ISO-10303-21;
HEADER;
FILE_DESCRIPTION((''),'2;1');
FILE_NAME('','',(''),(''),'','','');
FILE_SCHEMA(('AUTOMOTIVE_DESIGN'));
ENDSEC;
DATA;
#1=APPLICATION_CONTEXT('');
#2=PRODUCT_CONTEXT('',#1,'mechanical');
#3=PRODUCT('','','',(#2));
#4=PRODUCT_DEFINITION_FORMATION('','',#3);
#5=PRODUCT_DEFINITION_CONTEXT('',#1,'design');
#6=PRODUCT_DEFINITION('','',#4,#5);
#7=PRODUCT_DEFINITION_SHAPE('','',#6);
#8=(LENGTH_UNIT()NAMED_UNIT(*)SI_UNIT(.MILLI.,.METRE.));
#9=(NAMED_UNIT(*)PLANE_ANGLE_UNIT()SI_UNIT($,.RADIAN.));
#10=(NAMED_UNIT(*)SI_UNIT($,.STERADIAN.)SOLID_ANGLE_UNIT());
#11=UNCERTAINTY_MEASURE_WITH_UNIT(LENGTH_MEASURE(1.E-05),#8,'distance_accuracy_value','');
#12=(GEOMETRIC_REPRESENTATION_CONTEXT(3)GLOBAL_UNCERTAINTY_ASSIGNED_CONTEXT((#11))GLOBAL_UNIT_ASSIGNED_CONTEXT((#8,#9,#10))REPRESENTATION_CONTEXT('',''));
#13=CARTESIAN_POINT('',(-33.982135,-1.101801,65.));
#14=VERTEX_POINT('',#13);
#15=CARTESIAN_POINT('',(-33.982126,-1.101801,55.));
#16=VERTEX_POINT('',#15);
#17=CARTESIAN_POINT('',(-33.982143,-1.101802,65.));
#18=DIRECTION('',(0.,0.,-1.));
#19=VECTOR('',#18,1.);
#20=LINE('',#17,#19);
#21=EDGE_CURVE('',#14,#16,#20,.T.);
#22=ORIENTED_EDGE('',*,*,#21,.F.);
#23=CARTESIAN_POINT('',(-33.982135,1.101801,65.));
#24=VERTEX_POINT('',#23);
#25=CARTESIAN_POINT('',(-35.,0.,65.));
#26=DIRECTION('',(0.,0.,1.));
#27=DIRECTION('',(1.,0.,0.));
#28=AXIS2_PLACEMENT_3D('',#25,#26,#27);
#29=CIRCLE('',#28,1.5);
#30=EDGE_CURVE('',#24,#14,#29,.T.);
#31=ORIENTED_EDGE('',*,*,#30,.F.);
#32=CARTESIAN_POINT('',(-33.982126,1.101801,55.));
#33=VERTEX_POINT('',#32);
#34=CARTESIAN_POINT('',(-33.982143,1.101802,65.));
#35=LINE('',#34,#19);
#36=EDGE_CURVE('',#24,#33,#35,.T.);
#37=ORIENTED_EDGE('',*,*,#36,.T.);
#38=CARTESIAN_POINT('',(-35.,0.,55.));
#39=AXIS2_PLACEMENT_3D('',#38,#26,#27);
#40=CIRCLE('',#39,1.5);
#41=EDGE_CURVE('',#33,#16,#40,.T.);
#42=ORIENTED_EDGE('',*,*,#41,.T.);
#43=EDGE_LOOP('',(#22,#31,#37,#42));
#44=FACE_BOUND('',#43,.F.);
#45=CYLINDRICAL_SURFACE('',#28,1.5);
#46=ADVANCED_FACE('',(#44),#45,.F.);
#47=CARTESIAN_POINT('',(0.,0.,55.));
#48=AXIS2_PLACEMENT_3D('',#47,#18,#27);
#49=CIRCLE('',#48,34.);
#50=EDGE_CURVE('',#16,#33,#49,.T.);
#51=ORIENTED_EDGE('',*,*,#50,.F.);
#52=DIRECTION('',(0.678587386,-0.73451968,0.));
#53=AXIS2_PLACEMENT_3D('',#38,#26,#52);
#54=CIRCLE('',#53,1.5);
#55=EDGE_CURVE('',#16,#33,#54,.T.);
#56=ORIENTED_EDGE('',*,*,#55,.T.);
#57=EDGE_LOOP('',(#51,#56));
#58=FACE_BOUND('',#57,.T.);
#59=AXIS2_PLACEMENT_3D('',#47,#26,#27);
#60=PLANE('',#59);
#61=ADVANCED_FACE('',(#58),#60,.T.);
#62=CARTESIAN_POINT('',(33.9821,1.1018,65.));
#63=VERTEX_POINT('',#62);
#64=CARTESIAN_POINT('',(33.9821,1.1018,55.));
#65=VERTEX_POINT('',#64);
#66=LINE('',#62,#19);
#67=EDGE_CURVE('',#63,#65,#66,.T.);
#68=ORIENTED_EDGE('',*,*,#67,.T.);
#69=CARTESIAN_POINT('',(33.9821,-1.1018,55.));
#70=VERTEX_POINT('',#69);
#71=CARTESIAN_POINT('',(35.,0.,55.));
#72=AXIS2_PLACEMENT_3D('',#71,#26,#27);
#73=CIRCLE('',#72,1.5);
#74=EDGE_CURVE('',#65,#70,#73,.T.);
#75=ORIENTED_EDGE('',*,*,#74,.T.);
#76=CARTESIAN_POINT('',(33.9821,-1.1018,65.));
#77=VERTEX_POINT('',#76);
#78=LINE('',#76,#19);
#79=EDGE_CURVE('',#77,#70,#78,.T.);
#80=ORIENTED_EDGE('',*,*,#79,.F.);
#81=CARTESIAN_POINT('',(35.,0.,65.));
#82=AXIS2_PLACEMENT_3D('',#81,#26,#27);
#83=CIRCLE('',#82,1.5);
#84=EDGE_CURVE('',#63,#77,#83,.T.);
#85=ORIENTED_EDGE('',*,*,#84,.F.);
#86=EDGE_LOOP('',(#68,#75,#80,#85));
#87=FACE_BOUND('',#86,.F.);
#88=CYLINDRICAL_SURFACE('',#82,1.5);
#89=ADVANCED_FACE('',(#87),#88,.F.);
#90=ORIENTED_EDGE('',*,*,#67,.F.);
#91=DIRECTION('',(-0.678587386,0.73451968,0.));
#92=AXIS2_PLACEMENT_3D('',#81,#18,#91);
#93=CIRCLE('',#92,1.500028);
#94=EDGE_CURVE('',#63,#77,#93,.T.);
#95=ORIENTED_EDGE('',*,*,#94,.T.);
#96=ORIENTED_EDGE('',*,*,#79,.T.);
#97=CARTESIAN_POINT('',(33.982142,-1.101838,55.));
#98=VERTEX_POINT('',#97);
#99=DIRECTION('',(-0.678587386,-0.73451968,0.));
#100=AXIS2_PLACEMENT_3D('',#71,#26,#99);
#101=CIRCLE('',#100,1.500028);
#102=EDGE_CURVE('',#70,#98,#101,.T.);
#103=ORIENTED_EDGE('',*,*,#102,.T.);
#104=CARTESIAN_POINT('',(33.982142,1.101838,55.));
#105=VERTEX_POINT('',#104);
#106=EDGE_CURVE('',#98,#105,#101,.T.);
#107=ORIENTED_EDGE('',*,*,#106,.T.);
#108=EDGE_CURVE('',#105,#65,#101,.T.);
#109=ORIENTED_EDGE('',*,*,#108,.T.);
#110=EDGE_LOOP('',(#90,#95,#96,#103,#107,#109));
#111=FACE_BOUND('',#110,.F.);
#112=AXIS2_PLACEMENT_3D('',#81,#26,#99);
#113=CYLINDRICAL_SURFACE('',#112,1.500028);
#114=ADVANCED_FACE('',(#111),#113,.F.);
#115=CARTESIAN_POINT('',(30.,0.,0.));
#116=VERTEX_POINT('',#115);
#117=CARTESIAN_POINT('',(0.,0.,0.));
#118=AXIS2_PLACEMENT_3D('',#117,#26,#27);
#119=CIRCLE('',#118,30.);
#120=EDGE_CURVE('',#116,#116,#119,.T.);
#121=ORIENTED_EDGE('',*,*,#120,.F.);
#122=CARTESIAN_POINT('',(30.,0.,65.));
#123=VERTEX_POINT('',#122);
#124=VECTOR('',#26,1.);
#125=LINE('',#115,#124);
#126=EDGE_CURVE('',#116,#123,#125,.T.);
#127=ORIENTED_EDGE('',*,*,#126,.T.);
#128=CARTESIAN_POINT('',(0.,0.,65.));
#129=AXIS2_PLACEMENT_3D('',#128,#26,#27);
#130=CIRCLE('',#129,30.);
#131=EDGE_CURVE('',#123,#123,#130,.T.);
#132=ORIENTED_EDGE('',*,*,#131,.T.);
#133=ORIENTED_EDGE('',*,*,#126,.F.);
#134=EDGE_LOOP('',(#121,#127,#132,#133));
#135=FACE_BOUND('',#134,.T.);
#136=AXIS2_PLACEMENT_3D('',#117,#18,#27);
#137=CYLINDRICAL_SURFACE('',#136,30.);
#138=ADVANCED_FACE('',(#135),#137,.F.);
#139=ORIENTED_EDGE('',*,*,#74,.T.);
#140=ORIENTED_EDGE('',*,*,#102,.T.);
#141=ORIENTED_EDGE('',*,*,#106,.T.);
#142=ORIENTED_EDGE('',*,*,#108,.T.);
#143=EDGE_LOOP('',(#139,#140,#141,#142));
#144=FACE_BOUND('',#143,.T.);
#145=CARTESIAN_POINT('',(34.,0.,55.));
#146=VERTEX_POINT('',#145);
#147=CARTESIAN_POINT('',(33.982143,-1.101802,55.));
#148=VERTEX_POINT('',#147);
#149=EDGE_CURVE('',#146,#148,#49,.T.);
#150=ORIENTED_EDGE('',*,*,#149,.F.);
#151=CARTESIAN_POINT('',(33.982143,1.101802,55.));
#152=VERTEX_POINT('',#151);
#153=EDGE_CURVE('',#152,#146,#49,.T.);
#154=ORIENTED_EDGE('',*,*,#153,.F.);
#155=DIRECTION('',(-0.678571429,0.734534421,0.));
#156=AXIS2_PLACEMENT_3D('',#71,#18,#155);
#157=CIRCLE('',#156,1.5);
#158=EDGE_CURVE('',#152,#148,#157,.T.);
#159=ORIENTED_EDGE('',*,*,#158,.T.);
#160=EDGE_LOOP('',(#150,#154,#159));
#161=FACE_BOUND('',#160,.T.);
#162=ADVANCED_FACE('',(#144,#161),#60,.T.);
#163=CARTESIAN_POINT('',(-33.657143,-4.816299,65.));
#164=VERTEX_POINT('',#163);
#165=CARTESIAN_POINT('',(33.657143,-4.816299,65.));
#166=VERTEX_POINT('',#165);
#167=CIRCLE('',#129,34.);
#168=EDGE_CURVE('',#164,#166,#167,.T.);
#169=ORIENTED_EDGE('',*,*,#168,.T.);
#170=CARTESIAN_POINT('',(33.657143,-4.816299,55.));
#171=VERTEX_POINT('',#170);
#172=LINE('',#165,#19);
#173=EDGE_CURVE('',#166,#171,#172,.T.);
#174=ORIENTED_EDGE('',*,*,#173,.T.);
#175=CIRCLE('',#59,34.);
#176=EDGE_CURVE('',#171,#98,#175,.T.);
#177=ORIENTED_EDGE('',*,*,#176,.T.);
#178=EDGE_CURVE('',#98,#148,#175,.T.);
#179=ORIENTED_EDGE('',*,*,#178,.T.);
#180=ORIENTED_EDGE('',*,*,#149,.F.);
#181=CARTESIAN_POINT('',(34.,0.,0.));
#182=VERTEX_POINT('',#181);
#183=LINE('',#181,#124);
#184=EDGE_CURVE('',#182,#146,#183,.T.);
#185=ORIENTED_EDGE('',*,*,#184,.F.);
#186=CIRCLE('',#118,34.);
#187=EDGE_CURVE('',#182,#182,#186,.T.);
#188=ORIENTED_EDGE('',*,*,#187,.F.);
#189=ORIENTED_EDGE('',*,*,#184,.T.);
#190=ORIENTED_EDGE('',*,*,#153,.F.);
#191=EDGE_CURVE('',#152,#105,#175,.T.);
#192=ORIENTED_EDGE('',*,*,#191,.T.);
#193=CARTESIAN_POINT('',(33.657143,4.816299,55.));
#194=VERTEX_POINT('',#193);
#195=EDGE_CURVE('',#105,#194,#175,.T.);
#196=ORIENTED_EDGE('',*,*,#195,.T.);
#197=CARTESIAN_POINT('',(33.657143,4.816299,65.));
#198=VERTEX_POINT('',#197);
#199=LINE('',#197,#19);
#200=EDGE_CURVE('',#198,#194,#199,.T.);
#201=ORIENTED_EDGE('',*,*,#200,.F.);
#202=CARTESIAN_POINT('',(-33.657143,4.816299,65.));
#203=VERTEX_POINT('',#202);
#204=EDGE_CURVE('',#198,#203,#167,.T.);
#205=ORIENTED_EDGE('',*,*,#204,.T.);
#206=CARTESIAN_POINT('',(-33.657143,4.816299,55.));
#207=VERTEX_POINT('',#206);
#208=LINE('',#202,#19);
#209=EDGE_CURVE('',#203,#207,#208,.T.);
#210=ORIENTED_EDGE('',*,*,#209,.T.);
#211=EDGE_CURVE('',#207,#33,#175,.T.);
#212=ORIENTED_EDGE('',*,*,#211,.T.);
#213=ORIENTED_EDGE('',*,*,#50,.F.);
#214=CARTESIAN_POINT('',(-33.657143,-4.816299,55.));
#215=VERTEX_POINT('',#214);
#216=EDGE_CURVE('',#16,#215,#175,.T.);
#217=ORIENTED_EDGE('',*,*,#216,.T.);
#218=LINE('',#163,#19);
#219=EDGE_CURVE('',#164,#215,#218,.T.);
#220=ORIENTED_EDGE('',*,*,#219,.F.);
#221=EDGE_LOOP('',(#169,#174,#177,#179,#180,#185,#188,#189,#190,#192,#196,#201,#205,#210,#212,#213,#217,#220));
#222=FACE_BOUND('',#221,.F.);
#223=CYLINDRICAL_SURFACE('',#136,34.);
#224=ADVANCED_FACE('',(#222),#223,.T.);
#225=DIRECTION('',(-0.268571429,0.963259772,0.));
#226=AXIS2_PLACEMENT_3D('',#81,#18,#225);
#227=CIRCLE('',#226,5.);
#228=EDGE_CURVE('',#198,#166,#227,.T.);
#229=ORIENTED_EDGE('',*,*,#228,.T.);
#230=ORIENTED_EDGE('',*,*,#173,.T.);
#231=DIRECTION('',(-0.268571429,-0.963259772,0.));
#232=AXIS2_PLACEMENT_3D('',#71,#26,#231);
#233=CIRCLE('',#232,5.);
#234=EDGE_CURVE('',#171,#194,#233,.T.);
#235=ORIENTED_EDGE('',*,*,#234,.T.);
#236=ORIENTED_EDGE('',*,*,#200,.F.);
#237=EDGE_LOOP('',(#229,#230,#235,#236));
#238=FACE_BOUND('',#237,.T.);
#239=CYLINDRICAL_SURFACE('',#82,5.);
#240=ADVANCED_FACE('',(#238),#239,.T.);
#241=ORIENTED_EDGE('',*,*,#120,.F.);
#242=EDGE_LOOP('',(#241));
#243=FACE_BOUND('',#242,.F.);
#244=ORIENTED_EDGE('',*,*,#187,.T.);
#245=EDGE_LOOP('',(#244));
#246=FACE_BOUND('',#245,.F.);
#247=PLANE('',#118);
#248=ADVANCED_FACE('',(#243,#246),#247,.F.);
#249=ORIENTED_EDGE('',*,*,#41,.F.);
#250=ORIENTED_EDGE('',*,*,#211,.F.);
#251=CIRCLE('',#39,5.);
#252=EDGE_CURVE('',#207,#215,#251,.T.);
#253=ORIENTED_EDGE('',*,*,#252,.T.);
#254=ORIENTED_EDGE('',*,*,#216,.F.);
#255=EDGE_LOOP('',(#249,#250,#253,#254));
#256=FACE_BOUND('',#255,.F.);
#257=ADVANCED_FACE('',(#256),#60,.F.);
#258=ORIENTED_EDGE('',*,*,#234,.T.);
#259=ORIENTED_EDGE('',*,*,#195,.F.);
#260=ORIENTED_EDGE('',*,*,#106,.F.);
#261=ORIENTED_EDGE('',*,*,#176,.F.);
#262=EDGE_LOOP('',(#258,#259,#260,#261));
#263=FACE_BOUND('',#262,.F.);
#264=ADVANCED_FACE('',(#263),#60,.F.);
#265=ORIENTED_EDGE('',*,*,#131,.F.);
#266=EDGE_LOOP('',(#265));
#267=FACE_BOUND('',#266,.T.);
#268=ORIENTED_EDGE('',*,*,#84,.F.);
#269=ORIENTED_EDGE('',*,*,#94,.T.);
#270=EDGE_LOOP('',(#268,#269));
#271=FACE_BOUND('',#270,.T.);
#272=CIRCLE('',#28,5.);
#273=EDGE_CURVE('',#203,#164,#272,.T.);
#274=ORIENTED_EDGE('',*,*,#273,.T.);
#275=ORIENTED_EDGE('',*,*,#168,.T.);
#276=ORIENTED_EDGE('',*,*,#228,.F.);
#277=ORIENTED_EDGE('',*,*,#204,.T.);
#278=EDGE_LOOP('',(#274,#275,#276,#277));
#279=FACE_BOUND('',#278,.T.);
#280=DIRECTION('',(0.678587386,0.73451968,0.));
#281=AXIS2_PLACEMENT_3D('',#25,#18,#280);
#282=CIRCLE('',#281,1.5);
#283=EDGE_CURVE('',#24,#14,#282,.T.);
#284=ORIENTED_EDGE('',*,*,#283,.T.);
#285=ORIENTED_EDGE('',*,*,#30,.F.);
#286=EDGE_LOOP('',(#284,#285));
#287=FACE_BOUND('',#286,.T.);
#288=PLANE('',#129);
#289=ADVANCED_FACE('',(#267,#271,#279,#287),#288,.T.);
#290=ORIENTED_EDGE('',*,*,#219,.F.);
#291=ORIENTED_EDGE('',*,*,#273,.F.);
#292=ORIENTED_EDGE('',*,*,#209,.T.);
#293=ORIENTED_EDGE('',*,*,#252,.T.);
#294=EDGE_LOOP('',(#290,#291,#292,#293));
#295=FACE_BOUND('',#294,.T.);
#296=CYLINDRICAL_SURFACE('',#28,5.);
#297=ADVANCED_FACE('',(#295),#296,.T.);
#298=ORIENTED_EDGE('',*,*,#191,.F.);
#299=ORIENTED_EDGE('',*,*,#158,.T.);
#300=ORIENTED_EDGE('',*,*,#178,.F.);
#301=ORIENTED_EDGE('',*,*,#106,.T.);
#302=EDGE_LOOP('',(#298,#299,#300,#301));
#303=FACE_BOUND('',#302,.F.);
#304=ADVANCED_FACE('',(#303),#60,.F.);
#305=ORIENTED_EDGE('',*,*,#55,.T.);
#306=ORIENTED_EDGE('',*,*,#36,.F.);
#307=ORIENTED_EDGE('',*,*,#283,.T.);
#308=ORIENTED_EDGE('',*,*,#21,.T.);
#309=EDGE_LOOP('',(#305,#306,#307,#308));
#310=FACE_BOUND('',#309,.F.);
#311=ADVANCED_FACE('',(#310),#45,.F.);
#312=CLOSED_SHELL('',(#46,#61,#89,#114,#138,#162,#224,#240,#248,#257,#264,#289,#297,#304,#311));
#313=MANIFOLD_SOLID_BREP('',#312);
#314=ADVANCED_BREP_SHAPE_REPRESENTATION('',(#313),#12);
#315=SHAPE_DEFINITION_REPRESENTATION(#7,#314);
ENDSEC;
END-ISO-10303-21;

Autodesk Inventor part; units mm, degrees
ref_plane "YZ Plane" through (0, 0, 0) normal (1, 0, 0) x (0, 1, 0)
ref_plane "XZ Plane" through (0, 0, 0) normal (0, 1, 0) x (-1, 0, 0)
ref_plane "XY Plane" through (0, 0, 0) normal (0, 0, 1) x (1, 0, 0)
sketch "Szkic1" plane through (0, 0, 0) normal (0, 0, 1) x (1, 0, 0)
  circle A0 centre (0, 0) radius 30
  circle A1 centre (0, 0) radius 34
  dimension "d0" = 60
  dimension "d1" = 4
extrude "Wyciągnięcie proste1" add sketch "Szkic1" along normal blind 65
sketch "Szkic2" plane through (0, 0, 65) normal (0, 0, 1) x (1, 0, 0)
  circle A0 centre (35, 0) radius 5
  circle A1 centre (0, 0) radius 34 projected
  circle A2 centre (0, 0) radius 30 projected
  circle A3 centre (35, 0) radius 1.5
  line L0 (0, 0) -> (0, -30)
  circle A4 centre (-35, 0) radius 5
  circle A5 centre (-35, 0) radius 1.5
  point P0 (33.9821, 1.1018)
  point P1 (33.9821, -1.1018)
  point P2 (33.6571, -4.8163)
  point P3 (33.6571, 4.8163)
  point P4 (-33.9821, -1.1018)
  point P5 (-33.9821, 1.1018)
  point P6 (-33.6571, 4.8163)
  point P7 (-33.6571, -4.8163)
  dimension "d5" = 10
  dimension "d6" = 3
  dimension "d9" = 70
extrude "Wyciągnięcie proste2" add sketch "Szkic2" against normal blind 10 contours A0 A1 A3 | A1 A5 A4 picked at (35.0063, -3.323) picked at (-35.0802, 3.3077)
sketch "Szkic3" plane through (0, 0, 65) normal (0, 0, 1) x (1, 0, 0)
  point P0 (0, 0)
sketch "Szkic4" plane through (0, 0, 65) normal (0, 0, 1) x (1, 0, 0)
  arc A0 (-33.9821, 1.1018) -> (-33.9821, -1.1018) centre (-35, 0) ccw projected
  circle A1 centre (-35, 0) radius 1.5
  arc A2 (33.9821, -1.1018) -> (33.9821, 1.1018) centre (35, 0) ccw projected
  circle A3 centre (35, 0) radius 1.5
  point P0 (0, 0)
  point P1 (33.9821, 1.1018)
  point P2 (33.9821, -1.1018)
  point P3 (-33.9821, -1.1018)
  point P4 (-33.9821, 1.1018)
extrude "Wyciągnięcie proste3" cut sketch "Szkic4" against normal blind 10
properties part number "osłonasilnik" material "Tworzywo sztuczne PET"
